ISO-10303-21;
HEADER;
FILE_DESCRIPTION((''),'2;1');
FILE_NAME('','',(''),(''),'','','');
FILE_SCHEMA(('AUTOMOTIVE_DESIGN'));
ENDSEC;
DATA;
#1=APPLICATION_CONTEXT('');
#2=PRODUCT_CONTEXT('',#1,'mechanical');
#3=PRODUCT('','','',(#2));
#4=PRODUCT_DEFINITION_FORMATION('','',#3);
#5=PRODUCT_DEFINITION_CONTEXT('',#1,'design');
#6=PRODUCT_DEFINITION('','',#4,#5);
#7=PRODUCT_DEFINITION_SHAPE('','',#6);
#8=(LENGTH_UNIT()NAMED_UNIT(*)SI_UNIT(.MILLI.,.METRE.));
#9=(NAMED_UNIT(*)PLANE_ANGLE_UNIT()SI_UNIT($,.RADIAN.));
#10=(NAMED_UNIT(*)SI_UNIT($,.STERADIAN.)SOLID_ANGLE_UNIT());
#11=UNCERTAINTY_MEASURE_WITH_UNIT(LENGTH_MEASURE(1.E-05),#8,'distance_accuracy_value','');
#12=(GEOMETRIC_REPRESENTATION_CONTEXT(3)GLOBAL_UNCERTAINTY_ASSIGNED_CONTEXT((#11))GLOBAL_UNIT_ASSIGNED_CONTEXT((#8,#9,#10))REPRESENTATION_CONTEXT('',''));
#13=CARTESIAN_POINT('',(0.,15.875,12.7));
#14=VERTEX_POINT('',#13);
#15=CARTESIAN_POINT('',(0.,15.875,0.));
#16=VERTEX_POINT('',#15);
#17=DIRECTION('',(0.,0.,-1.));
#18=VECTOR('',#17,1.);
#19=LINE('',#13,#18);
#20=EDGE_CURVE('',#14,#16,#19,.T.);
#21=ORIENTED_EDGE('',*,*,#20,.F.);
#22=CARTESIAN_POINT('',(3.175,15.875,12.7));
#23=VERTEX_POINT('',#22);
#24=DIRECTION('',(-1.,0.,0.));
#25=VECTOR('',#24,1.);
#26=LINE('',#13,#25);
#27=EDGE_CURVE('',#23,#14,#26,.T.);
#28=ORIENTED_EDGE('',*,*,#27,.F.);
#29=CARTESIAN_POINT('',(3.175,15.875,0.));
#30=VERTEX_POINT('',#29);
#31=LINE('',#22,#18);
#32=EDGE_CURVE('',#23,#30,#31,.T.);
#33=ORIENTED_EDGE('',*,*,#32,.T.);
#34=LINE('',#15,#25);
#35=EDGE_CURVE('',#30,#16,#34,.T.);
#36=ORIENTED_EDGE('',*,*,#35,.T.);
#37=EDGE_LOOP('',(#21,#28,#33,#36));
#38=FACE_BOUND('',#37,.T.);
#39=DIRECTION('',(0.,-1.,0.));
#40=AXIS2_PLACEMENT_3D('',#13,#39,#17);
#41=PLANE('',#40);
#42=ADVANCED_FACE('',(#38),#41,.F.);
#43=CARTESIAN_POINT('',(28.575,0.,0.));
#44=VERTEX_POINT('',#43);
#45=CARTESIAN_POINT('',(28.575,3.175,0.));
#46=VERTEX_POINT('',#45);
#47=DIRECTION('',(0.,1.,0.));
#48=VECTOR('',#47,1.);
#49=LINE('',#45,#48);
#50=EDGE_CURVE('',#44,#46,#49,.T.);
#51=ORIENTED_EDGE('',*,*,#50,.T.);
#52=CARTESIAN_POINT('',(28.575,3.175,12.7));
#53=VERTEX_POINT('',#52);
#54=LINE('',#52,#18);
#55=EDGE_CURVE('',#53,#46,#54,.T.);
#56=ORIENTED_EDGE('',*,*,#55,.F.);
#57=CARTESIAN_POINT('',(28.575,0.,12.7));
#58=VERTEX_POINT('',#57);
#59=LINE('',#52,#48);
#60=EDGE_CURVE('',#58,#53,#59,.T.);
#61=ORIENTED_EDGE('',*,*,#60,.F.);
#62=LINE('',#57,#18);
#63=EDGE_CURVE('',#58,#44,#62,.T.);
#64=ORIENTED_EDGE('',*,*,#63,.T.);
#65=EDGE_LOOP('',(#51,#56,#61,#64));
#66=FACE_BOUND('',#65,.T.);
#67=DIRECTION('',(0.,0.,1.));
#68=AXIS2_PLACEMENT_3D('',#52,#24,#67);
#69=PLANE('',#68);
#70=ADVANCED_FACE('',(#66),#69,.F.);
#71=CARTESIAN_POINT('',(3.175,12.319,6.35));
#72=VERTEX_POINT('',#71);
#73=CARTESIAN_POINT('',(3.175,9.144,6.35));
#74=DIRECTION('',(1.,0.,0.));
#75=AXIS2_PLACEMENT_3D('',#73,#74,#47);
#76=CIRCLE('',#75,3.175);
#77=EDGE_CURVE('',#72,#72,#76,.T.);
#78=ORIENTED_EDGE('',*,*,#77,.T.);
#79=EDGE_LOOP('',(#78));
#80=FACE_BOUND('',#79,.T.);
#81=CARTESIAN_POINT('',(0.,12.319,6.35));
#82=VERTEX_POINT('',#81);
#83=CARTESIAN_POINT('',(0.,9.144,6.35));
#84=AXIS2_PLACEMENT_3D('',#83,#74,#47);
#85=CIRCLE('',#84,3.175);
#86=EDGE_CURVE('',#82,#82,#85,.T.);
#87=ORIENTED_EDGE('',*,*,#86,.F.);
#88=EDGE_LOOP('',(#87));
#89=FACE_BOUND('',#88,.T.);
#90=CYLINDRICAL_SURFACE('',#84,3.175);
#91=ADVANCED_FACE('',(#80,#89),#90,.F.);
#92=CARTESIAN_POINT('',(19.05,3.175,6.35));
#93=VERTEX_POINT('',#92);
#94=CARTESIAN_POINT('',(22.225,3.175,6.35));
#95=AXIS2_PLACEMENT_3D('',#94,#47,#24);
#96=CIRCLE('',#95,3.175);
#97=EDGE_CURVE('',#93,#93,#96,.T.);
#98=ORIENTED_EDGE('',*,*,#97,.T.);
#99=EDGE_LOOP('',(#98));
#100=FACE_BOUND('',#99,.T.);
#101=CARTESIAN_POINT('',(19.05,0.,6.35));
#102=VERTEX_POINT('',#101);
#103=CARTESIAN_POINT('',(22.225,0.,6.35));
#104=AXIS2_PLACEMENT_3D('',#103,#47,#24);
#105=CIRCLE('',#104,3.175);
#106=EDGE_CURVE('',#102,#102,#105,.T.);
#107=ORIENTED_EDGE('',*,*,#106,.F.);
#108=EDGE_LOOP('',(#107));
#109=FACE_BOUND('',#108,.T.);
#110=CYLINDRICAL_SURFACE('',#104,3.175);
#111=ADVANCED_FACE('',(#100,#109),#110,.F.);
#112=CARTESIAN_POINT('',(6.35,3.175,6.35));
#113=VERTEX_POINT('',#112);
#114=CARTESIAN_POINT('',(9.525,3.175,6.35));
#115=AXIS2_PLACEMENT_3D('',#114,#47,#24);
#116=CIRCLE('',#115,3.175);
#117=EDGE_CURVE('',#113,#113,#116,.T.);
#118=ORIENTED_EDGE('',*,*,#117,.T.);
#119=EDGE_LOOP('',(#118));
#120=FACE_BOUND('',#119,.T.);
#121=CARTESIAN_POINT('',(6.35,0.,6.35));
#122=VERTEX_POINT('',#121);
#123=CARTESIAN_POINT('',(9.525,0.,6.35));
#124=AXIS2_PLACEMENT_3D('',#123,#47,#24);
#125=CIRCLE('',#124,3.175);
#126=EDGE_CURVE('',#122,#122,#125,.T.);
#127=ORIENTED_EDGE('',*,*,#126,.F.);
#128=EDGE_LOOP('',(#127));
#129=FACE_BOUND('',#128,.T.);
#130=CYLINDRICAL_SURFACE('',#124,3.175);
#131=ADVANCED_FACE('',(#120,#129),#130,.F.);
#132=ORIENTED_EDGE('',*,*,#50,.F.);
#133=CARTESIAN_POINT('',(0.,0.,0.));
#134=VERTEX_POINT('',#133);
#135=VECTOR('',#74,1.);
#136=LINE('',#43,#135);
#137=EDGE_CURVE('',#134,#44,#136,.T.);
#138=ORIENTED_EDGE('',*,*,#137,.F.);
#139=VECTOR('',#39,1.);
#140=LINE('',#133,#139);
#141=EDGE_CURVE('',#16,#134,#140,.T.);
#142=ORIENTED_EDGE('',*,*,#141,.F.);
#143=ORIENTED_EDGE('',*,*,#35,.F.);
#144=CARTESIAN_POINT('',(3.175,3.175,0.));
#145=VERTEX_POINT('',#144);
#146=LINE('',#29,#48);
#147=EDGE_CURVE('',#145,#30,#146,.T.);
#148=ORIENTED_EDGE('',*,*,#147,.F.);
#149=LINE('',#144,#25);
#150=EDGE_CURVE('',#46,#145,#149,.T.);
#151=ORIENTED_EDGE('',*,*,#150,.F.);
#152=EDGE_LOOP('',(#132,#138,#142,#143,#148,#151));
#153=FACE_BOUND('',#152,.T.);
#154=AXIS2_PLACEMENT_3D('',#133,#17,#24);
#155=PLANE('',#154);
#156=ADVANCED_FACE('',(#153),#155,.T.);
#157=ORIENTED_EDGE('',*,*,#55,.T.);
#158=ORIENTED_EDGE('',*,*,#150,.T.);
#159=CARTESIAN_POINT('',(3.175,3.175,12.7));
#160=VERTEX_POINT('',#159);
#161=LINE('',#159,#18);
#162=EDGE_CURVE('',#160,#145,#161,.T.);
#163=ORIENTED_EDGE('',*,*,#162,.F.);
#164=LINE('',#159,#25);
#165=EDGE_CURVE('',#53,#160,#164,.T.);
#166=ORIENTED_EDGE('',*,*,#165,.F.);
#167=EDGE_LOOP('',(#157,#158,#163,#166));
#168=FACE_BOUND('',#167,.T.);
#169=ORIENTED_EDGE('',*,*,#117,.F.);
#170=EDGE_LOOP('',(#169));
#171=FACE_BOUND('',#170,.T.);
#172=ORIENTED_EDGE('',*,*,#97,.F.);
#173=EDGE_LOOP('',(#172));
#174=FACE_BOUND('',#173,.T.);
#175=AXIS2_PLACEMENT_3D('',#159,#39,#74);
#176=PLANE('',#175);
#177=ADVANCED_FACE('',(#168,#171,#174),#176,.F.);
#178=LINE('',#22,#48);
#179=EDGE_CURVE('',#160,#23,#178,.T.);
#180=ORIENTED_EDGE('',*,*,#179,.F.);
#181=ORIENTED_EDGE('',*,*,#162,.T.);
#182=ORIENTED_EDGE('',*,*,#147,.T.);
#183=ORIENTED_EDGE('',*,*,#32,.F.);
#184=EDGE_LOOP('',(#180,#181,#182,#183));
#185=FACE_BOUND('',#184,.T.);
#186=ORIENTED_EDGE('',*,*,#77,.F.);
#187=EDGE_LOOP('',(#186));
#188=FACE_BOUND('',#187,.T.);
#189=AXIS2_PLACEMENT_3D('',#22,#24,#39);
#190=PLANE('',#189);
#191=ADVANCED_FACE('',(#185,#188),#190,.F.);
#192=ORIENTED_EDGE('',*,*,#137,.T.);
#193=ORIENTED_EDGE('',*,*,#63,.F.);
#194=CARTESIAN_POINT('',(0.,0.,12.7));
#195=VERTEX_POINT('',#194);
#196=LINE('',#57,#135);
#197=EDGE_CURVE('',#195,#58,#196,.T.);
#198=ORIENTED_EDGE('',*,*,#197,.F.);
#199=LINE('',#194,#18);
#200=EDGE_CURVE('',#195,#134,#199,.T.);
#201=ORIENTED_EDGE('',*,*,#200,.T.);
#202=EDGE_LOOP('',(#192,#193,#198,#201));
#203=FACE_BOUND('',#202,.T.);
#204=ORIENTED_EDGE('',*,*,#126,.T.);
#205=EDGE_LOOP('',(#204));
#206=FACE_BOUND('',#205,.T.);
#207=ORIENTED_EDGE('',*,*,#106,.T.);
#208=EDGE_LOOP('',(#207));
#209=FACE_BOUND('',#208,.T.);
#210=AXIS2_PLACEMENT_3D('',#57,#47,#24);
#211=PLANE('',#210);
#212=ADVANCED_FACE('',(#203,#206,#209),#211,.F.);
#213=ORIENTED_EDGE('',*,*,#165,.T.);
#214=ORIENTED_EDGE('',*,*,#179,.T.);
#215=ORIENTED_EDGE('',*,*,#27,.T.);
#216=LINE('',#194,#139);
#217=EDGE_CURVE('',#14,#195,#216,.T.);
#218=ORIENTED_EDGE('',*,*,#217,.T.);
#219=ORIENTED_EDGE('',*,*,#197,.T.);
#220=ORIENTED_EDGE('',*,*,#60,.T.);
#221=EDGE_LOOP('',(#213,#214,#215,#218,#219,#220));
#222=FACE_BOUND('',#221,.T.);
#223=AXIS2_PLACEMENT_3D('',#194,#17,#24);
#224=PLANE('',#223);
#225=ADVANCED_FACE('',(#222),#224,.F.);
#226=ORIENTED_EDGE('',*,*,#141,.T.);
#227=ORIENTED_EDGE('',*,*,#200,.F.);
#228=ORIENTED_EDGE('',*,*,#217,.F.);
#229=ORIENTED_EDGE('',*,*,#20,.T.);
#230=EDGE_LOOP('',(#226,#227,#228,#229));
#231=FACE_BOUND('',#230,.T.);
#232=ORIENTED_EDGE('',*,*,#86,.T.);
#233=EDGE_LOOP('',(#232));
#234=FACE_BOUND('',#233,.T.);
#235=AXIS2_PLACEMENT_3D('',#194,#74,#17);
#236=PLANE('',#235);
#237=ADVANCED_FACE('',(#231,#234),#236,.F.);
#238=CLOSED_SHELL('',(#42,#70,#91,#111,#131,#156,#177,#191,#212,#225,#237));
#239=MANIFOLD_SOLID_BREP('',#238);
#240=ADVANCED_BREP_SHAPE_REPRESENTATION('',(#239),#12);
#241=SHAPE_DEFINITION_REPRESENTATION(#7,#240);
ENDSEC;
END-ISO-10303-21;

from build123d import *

# Parameters (mm, degrees)
BOSS_EXTRUDE1_DEPTH = 12.7
SKETCH2_R           = 3.175
CUT_EXTRUDE1_DEPTH  = 4.175
SKETCH3_R           = 3.175
CUT_EXTRUDE2_DEPTH  = 4.175


with BuildPart() as part:
    # Sketch1 → Boss-Extrude1 (new body)
    with BuildSketch(Plane.XY):
        Polygon((0, 0), (0, 15.875), (3.175, 15.875), (3.175, 3.175), (28.575, 3.175), (28.575, 0), align=None)
    extrude(amount=BOSS_EXTRUDE1_DEPTH)

    # Sketch2 → Cut-Extrude1 (cut, through all)
    with BuildSketch(Plane(origin=(0, 3.175, 0), x_dir=(1, 0, 0), z_dir=(0, 1, 0))):
        with Locations((9.525, -6.35)):
            Circle(SKETCH2_R)
        with Locations((22.225, -6.35)):
            Circle(SKETCH2_R)
    extrude(amount=-CUT_EXTRUDE1_DEPTH, mode=Mode.SUBTRACT)

    # Sketch3 → Cut-Extrude2 (cut, through all)
    with BuildSketch(Plane(origin=(3.175, 0, 0), x_dir=(0, 0, -1), z_dir=(1, 0, 0))):
        with Locations((-6.35, 9.144)):
            Circle(SKETCH3_R)
    extrude(amount=-CUT_EXTRUDE2_DEPTH, mode=Mode.SUBTRACT)


solid = part.part
